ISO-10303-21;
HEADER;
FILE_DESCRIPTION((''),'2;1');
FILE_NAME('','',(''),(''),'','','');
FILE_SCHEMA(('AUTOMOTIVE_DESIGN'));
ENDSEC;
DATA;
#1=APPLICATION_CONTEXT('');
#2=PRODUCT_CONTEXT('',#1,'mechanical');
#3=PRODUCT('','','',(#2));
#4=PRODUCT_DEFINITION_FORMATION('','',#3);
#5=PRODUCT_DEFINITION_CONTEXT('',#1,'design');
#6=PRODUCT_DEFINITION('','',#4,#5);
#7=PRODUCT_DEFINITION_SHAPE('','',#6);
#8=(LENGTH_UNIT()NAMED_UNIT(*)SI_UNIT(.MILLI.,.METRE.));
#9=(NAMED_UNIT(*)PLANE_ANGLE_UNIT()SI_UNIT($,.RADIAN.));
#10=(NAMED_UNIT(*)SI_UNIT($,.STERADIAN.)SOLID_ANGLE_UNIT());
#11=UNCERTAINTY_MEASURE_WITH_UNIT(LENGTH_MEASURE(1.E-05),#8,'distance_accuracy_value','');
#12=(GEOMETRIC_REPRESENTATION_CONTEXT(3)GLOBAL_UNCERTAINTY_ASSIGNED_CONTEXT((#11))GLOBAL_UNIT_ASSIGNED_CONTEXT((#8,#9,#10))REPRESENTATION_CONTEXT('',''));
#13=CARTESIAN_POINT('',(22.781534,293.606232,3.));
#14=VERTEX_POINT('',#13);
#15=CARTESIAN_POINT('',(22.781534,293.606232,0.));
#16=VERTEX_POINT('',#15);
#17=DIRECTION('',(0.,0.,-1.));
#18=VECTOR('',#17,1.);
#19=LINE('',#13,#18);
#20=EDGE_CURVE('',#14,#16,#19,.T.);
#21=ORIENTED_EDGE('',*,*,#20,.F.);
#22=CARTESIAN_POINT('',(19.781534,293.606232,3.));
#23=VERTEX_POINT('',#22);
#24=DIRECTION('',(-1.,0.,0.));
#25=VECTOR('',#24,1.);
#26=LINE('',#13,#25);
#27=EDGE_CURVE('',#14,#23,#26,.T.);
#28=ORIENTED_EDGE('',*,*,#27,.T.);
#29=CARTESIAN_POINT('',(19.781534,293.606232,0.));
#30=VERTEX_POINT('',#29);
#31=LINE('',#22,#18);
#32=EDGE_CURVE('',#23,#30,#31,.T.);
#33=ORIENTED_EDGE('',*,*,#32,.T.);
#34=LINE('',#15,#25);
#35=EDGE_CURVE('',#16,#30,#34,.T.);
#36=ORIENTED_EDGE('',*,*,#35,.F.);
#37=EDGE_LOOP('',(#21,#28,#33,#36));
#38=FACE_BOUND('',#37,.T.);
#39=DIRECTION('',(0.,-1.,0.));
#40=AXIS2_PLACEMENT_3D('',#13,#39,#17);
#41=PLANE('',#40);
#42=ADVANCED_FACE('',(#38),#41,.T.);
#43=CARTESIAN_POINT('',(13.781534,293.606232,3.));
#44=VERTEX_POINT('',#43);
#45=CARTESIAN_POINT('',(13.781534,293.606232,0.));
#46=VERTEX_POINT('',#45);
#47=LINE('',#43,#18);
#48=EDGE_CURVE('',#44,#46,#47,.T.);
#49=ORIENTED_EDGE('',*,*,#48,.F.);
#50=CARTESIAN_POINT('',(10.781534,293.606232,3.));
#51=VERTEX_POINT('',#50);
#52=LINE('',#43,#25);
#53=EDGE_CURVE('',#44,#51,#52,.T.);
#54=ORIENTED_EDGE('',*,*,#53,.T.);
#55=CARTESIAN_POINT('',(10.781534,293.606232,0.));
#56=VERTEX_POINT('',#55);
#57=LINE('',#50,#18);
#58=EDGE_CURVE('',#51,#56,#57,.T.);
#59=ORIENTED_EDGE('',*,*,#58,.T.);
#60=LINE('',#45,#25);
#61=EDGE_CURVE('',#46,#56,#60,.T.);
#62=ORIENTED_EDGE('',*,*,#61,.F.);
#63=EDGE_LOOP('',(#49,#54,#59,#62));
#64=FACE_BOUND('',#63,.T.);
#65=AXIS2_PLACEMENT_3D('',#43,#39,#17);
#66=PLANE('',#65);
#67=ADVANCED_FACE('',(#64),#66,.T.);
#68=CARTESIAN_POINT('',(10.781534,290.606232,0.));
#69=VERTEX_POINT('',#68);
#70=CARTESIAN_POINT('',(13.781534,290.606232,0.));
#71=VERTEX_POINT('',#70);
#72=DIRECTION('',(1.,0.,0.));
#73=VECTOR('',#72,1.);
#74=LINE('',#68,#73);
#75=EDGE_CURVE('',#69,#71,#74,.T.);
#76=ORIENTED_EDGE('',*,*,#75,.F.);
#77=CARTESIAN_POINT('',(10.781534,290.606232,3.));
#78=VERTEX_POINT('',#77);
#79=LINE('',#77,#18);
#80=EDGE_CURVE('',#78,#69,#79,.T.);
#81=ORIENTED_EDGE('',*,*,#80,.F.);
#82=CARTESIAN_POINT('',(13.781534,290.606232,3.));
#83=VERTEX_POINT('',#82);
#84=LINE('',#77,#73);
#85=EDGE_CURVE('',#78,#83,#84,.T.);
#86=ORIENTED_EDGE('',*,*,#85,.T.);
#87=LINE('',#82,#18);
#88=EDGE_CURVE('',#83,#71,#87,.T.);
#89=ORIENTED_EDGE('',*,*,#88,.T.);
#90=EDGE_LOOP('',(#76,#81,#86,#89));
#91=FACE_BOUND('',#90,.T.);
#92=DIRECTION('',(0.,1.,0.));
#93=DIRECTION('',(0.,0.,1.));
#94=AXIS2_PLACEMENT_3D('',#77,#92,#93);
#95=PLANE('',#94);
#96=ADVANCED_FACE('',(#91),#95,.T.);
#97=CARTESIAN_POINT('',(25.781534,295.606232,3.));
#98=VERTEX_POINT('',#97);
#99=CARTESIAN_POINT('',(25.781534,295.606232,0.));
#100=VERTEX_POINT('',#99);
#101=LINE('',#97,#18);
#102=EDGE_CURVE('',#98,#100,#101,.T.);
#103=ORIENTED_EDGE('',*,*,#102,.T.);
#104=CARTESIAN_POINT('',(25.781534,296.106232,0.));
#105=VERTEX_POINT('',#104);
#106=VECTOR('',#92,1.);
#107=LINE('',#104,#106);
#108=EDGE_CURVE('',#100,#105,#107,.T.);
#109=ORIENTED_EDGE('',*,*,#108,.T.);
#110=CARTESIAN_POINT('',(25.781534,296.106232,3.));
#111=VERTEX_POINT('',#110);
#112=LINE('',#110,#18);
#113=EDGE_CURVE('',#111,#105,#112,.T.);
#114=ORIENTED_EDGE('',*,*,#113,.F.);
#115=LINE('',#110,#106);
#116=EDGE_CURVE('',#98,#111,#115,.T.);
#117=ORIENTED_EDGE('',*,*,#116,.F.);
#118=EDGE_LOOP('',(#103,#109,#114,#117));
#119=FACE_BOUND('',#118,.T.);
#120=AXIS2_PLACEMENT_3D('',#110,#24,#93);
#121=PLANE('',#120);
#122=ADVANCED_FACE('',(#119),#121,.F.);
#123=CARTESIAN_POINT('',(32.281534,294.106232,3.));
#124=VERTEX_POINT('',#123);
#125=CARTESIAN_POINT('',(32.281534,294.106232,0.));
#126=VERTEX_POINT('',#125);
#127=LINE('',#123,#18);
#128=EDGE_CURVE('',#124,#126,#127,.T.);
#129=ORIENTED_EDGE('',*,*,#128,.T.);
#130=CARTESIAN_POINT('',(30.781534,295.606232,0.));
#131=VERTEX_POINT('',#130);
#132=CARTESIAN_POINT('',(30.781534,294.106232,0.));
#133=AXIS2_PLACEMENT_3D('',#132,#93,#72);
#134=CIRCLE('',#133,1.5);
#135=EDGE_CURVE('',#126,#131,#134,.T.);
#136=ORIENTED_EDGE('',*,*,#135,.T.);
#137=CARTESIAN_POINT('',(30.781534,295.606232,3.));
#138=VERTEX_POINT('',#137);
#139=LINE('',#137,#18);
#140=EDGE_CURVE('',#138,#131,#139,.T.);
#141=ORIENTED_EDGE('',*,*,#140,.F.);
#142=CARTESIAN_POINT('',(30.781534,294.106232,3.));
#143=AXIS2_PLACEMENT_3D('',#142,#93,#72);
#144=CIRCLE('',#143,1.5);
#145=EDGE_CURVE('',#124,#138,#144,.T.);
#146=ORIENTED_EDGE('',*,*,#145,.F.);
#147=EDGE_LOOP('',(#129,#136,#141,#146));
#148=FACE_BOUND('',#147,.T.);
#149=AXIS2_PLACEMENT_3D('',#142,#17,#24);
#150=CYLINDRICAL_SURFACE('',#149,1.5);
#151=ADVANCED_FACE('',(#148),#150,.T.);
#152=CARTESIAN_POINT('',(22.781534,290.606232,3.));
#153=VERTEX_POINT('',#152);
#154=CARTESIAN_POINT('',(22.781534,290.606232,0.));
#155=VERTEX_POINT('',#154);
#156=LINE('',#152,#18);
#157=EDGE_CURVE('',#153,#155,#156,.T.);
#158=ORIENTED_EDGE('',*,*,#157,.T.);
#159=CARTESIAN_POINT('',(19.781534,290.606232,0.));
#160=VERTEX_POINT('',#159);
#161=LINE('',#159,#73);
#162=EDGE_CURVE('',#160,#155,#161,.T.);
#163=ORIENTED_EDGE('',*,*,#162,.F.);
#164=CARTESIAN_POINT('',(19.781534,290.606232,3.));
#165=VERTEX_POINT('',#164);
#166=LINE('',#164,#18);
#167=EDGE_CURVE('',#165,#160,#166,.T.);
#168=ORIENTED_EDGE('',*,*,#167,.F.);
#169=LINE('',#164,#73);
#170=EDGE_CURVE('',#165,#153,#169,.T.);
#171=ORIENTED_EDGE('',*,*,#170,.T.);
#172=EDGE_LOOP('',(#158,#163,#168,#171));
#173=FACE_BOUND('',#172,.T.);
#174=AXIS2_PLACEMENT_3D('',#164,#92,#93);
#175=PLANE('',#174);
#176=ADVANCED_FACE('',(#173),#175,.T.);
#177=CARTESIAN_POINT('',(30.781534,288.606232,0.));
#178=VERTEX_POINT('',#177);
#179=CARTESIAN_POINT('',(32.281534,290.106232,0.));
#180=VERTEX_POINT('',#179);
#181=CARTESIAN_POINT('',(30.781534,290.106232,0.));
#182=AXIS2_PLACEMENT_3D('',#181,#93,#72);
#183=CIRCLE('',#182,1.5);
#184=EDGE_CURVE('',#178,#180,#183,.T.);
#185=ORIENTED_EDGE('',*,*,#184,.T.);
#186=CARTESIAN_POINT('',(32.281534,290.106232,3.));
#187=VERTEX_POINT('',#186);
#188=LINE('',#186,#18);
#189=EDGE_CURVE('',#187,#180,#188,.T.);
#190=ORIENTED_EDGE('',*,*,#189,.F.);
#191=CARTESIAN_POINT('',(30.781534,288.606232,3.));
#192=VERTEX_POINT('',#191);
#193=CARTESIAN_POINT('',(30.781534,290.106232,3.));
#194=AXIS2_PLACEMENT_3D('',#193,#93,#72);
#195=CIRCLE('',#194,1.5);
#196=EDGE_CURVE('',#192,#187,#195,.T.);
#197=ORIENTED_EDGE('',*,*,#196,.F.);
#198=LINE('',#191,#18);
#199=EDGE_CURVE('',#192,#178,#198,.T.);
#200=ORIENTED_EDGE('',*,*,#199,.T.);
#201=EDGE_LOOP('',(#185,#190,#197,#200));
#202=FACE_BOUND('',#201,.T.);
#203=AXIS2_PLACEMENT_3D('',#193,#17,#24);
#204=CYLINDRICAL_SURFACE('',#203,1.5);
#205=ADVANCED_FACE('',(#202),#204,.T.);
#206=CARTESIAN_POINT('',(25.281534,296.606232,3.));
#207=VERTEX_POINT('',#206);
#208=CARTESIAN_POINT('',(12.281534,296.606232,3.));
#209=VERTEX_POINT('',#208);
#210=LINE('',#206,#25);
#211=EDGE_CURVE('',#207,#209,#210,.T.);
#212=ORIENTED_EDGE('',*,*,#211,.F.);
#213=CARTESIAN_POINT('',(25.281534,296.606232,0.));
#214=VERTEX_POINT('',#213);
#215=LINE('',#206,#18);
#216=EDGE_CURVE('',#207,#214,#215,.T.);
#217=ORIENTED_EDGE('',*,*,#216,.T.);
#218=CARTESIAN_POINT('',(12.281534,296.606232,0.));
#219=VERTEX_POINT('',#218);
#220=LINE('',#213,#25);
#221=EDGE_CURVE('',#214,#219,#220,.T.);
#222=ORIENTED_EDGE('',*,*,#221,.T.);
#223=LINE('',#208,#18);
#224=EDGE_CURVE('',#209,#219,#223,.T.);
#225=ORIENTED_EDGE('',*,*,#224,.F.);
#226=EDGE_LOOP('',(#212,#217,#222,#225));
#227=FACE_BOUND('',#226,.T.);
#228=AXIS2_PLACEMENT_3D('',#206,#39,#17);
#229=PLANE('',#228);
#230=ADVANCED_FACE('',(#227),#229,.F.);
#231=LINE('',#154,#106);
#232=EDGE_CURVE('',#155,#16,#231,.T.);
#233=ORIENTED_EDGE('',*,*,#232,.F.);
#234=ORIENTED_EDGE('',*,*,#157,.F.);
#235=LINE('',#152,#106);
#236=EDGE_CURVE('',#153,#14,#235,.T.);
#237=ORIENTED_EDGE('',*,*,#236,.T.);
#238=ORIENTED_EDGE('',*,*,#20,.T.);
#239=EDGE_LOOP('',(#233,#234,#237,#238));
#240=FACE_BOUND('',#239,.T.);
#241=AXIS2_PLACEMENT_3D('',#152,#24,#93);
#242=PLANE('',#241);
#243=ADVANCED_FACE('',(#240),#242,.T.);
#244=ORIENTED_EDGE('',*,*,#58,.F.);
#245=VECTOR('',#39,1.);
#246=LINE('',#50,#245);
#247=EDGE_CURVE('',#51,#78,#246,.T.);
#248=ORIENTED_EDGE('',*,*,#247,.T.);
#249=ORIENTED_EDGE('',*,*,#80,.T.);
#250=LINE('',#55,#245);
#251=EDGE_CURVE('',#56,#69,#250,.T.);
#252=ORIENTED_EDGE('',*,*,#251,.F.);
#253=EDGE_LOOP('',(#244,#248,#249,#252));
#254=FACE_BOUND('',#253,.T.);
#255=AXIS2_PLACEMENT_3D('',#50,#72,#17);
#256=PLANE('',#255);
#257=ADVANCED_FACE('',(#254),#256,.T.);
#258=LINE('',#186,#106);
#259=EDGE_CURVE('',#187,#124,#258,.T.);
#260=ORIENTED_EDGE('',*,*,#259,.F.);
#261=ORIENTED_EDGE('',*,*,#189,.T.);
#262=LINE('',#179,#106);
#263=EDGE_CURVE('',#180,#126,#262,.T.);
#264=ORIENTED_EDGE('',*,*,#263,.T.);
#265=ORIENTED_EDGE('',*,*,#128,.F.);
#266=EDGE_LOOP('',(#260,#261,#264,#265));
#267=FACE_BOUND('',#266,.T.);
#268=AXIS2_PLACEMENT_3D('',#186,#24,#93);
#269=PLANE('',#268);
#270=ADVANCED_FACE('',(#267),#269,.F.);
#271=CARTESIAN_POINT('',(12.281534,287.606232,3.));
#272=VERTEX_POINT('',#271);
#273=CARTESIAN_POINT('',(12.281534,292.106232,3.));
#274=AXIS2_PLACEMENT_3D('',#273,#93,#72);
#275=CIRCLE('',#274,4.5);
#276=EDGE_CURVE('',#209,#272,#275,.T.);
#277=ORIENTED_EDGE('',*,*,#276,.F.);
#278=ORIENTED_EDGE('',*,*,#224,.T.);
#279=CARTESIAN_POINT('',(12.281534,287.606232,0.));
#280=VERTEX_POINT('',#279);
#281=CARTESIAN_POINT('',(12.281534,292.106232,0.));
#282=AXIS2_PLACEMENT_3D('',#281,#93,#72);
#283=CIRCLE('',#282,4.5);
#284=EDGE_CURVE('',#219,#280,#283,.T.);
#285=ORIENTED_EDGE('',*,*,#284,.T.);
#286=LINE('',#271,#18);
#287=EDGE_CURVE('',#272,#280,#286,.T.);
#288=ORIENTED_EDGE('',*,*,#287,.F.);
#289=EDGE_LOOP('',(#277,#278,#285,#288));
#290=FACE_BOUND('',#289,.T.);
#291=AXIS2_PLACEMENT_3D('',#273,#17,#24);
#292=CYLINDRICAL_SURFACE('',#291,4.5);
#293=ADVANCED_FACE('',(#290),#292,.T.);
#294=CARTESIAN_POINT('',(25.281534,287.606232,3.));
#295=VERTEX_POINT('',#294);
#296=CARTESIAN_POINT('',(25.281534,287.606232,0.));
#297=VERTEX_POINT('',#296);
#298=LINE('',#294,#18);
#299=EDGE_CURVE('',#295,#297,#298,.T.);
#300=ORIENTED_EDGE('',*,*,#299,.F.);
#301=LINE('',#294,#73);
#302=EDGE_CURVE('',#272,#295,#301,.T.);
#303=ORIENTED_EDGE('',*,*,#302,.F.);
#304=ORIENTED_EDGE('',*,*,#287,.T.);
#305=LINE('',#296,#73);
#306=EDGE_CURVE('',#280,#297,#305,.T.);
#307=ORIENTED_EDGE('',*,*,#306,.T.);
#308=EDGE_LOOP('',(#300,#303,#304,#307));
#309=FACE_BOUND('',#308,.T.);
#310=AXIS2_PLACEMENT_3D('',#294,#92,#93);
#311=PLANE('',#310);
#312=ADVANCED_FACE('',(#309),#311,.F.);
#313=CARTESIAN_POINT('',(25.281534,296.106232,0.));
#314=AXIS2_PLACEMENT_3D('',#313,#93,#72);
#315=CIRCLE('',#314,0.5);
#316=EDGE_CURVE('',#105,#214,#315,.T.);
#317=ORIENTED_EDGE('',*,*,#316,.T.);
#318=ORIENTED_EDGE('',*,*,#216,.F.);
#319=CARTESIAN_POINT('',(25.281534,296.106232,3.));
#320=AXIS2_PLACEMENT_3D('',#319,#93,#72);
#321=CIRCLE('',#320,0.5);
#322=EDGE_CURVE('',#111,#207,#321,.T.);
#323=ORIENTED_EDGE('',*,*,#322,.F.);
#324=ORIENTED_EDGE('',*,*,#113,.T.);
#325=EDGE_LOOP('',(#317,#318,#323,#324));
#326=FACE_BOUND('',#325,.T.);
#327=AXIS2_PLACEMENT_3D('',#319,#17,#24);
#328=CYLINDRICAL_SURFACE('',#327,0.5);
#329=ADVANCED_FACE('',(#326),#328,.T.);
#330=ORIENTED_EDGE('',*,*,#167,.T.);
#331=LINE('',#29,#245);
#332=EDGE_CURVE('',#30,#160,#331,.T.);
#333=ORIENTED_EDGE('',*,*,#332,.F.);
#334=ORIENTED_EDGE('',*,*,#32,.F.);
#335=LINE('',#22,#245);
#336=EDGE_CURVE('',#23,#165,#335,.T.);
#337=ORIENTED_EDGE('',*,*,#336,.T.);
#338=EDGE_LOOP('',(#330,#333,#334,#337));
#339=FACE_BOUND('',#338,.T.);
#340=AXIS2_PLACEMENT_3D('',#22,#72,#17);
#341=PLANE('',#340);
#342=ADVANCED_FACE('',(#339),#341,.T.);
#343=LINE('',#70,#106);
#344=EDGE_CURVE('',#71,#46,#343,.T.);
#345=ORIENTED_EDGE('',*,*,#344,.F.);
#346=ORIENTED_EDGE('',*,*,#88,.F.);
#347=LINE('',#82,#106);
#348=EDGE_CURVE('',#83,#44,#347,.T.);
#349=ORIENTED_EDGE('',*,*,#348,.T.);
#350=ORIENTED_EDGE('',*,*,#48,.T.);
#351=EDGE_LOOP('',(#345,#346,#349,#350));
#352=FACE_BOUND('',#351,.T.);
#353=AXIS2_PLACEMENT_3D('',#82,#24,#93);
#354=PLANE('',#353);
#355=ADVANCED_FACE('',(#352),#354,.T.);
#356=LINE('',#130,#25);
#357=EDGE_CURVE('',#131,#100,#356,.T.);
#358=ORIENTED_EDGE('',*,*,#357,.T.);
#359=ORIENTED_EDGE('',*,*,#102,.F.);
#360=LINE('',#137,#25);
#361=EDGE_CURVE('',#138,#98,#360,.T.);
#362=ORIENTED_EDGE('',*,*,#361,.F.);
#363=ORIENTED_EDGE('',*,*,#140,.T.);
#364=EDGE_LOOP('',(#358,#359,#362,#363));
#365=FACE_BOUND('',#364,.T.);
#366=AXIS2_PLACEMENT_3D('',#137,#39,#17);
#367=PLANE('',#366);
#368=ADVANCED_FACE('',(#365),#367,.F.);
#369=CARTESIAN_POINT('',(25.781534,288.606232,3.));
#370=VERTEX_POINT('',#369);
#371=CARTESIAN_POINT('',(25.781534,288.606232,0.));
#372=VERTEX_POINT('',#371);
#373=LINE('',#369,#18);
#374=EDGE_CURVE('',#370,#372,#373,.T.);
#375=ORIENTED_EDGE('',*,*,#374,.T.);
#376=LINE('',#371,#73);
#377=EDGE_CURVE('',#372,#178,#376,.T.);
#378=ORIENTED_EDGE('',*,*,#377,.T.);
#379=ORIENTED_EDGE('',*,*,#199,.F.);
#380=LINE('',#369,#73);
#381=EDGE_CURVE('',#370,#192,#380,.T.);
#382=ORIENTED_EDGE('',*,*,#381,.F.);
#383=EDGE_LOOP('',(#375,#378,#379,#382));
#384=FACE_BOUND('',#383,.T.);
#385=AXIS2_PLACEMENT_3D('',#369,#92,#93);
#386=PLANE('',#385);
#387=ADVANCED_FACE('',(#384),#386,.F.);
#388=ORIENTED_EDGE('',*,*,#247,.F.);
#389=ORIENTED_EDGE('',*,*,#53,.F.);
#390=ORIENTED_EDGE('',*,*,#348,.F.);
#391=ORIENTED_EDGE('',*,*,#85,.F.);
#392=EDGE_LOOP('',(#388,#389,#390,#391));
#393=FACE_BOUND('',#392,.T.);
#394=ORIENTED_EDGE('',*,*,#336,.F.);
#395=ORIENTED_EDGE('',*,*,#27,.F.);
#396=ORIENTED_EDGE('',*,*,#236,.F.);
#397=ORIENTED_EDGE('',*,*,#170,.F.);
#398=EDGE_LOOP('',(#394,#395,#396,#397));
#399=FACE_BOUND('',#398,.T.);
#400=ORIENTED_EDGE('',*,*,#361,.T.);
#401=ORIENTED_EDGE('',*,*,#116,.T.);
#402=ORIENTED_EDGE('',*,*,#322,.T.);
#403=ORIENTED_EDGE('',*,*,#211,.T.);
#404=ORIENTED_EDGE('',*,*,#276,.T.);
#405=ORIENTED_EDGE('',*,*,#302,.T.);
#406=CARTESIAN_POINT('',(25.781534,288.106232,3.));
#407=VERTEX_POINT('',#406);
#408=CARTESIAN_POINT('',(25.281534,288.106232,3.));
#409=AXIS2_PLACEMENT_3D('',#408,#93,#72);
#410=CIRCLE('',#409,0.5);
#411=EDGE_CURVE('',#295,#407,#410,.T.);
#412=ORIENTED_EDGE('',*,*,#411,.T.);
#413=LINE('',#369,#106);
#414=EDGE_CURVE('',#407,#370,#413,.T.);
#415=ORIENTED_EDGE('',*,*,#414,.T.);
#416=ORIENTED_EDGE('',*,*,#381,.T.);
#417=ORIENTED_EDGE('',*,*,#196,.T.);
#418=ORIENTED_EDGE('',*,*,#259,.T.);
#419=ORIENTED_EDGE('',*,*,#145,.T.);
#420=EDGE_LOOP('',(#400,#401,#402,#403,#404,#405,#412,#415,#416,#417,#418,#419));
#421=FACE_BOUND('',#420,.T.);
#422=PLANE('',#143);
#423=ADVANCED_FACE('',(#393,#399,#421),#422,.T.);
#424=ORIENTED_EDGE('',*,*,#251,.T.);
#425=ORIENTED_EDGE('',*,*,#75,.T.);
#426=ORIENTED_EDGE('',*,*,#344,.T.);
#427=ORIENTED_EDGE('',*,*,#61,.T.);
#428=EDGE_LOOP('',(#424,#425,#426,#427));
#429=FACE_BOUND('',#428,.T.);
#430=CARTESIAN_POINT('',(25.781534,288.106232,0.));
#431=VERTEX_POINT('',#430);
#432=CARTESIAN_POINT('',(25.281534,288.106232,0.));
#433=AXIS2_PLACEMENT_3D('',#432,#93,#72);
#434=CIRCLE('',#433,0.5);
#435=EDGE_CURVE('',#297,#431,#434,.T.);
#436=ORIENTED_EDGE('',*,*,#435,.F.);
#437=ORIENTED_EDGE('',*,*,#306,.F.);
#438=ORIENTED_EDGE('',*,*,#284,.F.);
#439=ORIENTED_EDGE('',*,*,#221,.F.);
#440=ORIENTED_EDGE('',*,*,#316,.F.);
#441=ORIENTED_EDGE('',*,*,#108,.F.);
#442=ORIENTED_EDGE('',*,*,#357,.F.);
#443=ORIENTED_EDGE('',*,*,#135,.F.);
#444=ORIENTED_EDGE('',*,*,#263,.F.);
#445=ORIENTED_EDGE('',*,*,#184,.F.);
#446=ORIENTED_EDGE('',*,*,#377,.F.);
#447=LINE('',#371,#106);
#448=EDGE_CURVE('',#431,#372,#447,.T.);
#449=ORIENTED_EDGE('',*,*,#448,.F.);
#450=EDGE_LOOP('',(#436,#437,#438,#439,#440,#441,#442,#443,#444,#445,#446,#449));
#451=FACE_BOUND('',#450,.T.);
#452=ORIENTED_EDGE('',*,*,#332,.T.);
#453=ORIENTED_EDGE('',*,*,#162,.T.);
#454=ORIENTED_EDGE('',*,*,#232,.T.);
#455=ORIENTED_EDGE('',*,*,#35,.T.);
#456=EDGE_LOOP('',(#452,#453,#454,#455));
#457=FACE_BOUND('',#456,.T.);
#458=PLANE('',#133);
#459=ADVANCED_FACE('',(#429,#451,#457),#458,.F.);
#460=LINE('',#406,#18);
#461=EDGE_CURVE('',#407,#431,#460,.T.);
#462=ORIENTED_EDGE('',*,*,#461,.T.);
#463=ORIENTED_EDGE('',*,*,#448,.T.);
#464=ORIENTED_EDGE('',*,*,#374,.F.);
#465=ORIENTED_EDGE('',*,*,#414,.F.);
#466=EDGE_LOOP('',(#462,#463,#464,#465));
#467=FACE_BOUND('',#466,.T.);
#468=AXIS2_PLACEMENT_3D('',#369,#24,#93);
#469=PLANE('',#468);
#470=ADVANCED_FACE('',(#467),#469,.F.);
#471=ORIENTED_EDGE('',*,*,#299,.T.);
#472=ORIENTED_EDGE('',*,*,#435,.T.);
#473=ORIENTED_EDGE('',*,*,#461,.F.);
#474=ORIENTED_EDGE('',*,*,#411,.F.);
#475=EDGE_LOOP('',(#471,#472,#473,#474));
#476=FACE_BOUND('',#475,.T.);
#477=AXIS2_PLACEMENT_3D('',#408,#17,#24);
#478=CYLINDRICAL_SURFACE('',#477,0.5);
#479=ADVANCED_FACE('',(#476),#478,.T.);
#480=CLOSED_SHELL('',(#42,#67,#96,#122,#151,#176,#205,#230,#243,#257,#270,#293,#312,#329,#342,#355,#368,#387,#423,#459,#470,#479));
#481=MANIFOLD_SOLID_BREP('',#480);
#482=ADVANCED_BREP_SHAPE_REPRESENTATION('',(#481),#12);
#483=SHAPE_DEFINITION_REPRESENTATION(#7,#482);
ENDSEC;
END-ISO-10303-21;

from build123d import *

# Parameters (mm, degrees)
MODEL_W                 = 3
MODEL_H                 = 3
SALIENTE_EXTRUIR2_DEPTH = 3


with BuildPart() as part:
    # Model → Saliente-Extruir2 (new body)
    with BuildSketch(Plane.XY):
        with BuildLine():
            Line((25.281533596, 296.606231861), (12.281533596, 296.606231861))
            ThreePointArc((12.281533596, 296.606231861), (7.781533596, 292.106231861), (12.281533596, 287.606231861))
            Line((12.281533596, 287.606231861), (25.281533596, 287.606231861))
            ThreePointArc((25.281533596, 287.606231861), (25.635086987, 287.752678471), (25.781533596, 288.106231861))
            Line((25.781533596, 288.106231861), (25.781533596, 288.606231861))
            Line((25.781533596, 288.606231861), (30.781533596, 288.606231861))
            ThreePointArc((30.781533596, 288.606231861), (31.842193768, 289.045571689), (32.281533596, 290.106231861))
            Line((32.281533596, 290.106231861), (32.281533596, 294.106231861))
            ThreePointArc((32.281533596, 294.106231861), (31.842193768, 295.166892033), (30.781533596, 295.606231861))
            Line((30.781533596, 295.606231861), (25.781533596, 295.606231861))
            Line((25.781533596, 295.606231861), (25.781533596, 296.106231861))
            ThreePointArc((25.781533596, 296.106231861), (25.635086987, 296.459785252), (25.281533596, 296.606231861))
        make_face()
        with Locations((12.281533596, 292.106231861)):
            Rectangle(MODEL_W, MODEL_H, mode=Mode.SUBTRACT)
        with Locations((21.281533596, 292.106231861)):
            Rectangle(MODEL_W, MODEL_H, mode=Mode.SUBTRACT)
    extrude(amount=SALIENTE_EXTRUIR2_DEPTH)


solid = part.part
